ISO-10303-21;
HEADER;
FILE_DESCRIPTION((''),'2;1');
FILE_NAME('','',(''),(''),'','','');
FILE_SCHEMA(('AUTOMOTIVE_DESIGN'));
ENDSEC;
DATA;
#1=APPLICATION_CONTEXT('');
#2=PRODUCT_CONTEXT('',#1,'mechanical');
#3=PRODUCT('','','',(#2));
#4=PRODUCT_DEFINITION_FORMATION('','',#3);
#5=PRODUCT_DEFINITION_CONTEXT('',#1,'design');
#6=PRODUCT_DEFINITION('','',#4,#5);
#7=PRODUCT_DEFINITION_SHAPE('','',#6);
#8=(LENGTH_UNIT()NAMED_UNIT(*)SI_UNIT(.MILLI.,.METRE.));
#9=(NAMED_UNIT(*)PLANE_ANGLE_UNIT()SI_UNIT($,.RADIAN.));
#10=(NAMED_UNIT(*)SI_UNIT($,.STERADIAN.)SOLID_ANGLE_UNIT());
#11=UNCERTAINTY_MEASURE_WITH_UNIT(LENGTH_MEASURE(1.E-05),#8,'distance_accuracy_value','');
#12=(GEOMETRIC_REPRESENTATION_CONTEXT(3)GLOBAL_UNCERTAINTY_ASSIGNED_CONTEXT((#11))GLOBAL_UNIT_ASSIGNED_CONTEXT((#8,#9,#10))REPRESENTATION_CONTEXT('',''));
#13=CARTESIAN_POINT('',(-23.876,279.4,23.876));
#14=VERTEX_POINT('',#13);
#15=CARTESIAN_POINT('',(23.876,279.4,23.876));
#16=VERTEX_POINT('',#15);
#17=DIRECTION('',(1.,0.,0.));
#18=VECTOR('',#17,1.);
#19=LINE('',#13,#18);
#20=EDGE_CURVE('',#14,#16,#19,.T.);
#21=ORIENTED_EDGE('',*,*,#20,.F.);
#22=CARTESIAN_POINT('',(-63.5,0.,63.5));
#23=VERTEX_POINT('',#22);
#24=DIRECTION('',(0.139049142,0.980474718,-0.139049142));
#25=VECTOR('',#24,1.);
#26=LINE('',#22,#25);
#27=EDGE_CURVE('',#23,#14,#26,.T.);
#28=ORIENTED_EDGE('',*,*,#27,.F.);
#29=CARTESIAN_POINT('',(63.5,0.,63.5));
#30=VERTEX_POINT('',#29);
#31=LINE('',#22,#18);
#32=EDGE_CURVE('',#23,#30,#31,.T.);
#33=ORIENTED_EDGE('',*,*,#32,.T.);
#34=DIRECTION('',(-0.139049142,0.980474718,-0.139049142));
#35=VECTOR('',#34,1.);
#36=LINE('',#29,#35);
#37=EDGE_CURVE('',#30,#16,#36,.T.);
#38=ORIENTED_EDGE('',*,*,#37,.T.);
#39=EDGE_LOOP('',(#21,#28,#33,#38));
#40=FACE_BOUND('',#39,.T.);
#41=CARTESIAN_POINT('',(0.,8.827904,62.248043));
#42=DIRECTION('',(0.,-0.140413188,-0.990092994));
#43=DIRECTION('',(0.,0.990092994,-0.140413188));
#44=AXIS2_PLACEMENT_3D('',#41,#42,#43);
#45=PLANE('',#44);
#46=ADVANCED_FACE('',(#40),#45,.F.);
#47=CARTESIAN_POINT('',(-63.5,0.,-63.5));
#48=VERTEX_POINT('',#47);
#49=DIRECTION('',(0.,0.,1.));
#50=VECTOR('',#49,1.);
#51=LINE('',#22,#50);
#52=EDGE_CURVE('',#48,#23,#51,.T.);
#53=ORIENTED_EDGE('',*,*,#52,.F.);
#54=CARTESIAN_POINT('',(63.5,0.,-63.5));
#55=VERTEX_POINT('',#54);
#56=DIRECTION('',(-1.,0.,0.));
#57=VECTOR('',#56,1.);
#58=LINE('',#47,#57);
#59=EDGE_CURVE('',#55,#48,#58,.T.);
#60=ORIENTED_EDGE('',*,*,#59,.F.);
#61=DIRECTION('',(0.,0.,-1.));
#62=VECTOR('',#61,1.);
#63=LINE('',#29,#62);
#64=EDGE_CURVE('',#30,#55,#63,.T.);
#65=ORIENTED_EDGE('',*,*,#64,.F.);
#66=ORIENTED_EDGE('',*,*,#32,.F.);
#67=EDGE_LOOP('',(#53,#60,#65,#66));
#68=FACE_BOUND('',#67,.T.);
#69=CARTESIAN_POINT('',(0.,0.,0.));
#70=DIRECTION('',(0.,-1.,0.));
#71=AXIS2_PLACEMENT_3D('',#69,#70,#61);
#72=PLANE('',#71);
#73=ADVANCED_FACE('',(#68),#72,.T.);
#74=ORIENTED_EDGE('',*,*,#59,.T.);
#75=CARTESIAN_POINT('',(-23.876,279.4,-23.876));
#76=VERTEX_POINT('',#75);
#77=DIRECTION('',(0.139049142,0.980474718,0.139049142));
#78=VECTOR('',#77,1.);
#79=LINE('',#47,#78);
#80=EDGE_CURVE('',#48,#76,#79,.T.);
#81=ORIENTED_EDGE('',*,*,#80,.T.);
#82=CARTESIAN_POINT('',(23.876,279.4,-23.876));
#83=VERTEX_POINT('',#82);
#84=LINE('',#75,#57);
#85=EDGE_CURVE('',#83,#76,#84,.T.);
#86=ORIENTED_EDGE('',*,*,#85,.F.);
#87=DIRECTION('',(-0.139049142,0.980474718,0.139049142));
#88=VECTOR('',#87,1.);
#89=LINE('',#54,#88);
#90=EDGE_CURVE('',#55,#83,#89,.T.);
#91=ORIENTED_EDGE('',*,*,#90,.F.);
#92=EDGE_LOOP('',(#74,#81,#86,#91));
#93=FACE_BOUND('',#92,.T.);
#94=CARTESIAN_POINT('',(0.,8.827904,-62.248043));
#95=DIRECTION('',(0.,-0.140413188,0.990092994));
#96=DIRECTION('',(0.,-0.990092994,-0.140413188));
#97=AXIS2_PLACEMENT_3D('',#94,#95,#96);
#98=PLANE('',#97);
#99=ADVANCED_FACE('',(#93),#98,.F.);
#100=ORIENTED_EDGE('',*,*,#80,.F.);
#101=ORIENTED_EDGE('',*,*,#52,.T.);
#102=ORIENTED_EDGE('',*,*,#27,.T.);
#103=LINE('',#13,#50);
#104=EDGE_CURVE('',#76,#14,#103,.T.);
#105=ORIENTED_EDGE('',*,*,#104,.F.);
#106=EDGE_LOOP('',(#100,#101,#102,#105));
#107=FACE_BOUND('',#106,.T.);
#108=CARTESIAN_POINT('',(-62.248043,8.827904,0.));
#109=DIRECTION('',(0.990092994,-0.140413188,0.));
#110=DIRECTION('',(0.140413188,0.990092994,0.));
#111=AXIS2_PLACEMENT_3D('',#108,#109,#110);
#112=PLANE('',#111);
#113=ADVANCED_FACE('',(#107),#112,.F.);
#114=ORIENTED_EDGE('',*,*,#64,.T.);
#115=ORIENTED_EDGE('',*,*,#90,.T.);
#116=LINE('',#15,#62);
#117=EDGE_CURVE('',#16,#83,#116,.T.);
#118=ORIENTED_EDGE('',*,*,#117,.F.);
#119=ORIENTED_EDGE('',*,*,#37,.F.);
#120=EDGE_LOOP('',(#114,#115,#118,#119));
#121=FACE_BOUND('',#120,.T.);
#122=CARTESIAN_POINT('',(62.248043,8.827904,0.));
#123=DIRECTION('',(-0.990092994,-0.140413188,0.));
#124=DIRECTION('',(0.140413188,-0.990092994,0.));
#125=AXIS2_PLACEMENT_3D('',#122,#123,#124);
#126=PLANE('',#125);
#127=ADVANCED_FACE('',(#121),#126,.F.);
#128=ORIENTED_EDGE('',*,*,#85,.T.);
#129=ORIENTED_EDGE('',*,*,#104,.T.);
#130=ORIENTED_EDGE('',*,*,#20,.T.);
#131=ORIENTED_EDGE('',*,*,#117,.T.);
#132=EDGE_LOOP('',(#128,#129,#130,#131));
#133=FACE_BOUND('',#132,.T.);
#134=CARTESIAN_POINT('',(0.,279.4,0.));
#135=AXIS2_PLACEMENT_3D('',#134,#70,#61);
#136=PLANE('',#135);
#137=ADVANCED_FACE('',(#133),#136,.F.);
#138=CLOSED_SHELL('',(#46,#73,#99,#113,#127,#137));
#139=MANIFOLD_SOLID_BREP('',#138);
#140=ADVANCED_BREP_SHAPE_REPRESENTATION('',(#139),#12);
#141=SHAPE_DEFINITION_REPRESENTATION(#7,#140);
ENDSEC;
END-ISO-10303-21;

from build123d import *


with BuildPart() as part:
    # Sketch1 → Loft1 section 0
    with BuildSketch(Plane(origin=(0, 0, 0), x_dir=(1, 0, 0), z_dir=(0, 1, 0))):
        with BuildLine():
            Line((-63.5, -63.5), (63.5, -63.5))
            Line((63.5, -63.5), (63.5, 63.5))
            Line((63.5, 63.5), (-63.5, 63.5))
            Line((-63.5, 63.5), (-63.5, -63.5))
        make_face()
    # Sketch2 → Loft1 section 1
    with BuildSketch(Plane(origin=(0, 279.4, 0), x_dir=(1, 0, 0), z_dir=(0, 1, 0))):
        with BuildLine():
            Line((-23.876, -23.876), (23.876, -23.876))
            Line((23.876, -23.876), (23.876, 23.876))
            Line((23.876, 23.876), (-23.876, 23.876))
            Line((-23.876, 23.876), (-23.876, -23.876))
        make_face()
    loft()


solid = part.part
